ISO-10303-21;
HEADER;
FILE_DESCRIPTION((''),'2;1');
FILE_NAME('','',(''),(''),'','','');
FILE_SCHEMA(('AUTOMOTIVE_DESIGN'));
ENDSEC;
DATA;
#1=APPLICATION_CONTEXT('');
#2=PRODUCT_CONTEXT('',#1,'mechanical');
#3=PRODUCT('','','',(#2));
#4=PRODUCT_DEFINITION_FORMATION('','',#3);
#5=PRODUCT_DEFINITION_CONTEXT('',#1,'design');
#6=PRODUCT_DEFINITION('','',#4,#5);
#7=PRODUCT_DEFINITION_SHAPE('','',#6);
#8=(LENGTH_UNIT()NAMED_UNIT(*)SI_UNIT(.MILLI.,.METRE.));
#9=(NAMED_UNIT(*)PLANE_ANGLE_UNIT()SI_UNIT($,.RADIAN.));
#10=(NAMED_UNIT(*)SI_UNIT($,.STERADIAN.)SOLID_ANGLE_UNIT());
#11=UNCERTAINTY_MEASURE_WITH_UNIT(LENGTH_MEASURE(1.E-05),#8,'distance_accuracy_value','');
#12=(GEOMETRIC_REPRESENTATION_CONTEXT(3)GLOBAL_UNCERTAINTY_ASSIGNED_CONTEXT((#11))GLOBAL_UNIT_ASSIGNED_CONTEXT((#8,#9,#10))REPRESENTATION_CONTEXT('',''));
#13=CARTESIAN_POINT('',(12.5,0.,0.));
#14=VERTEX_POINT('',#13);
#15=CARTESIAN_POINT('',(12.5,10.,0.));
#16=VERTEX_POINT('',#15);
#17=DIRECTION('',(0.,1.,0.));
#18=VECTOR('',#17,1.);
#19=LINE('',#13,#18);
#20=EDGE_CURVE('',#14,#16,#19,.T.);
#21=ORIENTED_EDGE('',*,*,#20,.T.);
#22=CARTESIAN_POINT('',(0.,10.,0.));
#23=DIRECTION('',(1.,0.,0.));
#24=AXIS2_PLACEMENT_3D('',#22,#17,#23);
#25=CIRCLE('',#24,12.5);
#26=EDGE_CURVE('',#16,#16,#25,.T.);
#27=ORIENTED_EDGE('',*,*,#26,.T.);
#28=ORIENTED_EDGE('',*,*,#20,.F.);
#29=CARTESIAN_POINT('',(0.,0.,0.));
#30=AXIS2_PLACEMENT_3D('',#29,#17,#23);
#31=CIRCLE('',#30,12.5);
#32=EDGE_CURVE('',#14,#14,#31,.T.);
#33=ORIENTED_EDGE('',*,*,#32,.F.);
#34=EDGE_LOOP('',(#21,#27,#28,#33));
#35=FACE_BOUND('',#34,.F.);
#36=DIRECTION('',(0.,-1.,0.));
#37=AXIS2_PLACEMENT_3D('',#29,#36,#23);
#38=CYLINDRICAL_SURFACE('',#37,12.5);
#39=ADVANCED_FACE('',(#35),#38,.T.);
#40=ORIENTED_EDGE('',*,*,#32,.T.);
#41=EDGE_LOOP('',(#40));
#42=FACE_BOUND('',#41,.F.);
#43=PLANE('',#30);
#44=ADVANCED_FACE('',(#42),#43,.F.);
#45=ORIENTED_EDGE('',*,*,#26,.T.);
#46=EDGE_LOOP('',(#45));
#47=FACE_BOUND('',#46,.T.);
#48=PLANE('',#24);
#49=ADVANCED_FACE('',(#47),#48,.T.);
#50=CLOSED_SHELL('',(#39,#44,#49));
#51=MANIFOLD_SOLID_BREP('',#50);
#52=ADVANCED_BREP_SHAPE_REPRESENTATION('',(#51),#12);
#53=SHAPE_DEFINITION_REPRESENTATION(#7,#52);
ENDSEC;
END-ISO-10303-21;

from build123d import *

# Parameters (mm, degrees)
SKETCH1_R           = 12.5
BOSS_EXTRUDE1_DEPTH = 10


with BuildPart() as part:
    # Sketch1 → Boss-Extrude1 (new body)
    with BuildSketch(Plane(origin=(0, 0, 0), x_dir=(1, 0, 0), z_dir=(0, 1, 0))):
        Circle(SKETCH1_R)
    extrude(amount=BOSS_EXTRUDE1_DEPTH)


solid = part.part
